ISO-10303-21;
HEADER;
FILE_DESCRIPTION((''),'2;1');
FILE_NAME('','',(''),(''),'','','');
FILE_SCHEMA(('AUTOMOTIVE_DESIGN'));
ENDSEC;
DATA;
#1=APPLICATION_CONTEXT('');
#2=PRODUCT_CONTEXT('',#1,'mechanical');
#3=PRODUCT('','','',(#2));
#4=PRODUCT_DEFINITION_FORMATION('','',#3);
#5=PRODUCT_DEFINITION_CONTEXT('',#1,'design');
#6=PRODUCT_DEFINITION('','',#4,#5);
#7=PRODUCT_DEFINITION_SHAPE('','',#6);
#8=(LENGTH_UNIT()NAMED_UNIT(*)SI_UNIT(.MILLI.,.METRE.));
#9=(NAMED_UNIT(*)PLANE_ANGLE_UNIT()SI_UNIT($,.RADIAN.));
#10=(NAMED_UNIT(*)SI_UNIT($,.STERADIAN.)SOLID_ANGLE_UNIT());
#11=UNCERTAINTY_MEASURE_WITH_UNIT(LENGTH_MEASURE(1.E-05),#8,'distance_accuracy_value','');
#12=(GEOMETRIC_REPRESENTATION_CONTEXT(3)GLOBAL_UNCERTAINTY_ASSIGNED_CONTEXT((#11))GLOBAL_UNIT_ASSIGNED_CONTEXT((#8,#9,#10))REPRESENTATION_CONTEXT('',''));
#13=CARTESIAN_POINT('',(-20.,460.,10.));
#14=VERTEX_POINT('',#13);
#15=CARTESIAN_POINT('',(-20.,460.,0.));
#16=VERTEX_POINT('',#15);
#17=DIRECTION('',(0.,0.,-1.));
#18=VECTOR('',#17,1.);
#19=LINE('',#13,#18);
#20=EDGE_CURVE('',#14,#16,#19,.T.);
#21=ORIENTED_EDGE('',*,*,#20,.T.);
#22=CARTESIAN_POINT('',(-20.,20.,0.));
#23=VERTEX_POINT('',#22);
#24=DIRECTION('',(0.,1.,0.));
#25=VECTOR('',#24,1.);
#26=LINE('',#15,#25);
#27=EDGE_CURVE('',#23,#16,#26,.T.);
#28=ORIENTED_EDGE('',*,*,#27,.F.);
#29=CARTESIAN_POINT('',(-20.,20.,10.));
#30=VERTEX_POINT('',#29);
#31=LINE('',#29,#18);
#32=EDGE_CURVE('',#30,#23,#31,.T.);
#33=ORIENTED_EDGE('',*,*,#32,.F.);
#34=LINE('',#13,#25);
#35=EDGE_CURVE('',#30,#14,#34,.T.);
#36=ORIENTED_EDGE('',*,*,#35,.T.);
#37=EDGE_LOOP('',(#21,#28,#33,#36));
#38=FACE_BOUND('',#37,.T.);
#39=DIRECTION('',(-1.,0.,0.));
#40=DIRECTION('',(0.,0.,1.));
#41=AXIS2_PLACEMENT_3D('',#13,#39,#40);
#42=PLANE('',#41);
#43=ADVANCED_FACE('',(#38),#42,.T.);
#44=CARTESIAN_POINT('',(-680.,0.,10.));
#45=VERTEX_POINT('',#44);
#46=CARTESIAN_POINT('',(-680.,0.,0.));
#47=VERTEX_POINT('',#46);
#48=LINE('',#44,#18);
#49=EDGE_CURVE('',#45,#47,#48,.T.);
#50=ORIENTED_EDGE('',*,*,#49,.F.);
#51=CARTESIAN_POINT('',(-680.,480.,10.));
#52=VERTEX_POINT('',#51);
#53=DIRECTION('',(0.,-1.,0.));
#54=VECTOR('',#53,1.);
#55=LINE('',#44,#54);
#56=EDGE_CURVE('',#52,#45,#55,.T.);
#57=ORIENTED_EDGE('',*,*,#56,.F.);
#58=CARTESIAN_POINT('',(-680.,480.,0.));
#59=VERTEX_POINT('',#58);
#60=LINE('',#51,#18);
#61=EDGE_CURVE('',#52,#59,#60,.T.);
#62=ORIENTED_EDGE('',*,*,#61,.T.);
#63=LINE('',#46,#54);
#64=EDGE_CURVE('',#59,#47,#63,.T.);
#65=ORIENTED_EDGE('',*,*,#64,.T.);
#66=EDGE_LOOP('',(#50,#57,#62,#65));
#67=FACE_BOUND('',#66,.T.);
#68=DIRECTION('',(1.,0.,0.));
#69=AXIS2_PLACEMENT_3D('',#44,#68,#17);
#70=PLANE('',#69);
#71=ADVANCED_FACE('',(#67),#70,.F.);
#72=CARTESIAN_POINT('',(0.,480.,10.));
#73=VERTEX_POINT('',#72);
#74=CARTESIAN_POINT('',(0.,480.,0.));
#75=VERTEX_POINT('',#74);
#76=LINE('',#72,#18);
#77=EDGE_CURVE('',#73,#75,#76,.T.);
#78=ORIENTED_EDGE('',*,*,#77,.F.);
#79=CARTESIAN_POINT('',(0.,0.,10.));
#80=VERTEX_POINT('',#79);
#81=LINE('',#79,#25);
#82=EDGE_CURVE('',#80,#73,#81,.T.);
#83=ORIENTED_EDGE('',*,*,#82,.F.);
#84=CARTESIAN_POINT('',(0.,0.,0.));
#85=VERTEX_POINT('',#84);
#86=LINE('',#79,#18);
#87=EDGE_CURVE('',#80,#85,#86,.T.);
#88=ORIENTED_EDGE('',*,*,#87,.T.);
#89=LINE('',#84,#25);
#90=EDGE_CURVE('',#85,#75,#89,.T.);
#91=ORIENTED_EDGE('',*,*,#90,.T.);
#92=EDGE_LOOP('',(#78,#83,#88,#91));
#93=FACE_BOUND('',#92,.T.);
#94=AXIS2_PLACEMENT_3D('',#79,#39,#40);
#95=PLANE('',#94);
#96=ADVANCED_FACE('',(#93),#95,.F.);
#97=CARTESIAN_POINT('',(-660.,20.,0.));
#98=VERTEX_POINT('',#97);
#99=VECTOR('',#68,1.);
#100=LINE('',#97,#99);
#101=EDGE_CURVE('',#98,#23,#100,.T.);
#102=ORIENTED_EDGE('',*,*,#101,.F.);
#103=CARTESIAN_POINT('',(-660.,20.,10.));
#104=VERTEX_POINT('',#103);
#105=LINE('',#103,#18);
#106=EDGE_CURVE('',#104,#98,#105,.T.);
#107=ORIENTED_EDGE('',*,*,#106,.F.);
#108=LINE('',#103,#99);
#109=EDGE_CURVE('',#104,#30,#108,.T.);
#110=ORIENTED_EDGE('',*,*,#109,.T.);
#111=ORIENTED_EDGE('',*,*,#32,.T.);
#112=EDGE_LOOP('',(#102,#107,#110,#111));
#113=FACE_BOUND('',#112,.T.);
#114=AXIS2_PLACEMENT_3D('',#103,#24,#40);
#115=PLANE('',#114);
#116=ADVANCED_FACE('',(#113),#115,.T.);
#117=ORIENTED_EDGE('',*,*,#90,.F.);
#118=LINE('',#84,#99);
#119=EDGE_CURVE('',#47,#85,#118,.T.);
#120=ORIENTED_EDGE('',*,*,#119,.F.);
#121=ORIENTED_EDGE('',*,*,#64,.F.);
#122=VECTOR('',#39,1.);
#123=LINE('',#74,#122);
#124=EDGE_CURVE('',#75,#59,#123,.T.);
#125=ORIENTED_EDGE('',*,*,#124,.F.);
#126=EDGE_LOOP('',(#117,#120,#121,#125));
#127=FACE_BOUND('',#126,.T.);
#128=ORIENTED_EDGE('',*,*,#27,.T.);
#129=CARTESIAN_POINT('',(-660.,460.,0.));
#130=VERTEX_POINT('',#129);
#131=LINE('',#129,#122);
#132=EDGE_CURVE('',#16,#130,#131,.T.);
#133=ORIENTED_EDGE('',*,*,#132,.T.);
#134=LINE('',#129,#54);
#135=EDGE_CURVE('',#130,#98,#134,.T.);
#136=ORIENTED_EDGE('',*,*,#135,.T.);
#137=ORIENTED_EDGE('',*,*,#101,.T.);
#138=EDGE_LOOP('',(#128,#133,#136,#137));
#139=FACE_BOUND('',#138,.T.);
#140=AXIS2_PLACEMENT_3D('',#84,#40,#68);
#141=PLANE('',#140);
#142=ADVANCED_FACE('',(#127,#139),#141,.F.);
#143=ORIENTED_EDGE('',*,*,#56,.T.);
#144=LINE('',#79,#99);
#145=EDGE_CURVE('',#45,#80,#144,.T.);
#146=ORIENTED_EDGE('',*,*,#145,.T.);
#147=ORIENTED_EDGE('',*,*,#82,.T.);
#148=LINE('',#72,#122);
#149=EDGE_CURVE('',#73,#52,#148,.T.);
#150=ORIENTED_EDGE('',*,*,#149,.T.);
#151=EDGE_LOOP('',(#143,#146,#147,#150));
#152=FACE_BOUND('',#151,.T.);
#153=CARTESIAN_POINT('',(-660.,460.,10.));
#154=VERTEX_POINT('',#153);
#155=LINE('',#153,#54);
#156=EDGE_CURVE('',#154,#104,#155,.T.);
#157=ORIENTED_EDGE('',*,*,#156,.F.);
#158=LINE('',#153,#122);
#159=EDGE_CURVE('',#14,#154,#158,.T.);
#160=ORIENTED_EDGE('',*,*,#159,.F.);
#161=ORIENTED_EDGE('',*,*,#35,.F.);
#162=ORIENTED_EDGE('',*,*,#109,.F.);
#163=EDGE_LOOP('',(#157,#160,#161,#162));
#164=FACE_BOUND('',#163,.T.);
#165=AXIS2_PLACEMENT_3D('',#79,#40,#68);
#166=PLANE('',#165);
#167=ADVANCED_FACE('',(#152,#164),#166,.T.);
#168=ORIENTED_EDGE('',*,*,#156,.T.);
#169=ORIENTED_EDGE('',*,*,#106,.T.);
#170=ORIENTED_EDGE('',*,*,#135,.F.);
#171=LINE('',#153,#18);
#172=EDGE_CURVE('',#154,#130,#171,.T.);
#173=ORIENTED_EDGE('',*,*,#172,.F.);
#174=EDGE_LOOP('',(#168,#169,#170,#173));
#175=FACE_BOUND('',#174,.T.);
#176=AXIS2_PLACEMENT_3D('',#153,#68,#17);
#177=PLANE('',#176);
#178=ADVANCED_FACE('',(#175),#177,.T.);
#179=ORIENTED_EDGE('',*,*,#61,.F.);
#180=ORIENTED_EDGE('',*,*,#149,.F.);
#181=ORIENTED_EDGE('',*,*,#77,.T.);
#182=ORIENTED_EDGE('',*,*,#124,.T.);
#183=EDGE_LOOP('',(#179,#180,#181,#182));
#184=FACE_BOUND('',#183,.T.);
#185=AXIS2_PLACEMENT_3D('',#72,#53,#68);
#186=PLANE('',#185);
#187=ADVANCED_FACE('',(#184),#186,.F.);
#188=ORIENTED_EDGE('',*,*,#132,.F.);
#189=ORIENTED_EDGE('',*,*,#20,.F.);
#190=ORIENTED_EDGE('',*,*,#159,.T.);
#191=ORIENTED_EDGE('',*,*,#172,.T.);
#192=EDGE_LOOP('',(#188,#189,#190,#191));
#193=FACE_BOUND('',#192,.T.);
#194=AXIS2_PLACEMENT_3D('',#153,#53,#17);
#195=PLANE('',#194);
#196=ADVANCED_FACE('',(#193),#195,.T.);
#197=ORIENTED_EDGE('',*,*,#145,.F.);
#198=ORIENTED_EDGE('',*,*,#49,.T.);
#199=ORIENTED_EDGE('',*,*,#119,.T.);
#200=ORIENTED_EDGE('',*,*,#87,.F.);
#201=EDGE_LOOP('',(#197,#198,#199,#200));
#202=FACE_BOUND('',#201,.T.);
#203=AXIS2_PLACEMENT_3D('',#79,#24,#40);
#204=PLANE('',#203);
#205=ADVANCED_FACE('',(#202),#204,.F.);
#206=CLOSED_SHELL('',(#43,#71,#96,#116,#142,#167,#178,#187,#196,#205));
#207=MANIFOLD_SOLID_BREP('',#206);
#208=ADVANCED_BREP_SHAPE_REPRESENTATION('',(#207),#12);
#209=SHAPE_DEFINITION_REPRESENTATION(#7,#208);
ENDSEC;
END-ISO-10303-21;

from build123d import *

# Parameters (mm, degrees)
ESQUISSE1_W        = 680
ESQUISSE1_H        = 480
ESQUISSE1_W_2      = 640
ESQUISSE1_H_2      = 440
BOSS_EXTRU_1_DEPTH = 10


with BuildPart() as part:
    # Esquisse1 → Boss.-Extru.1 (new body)
    with BuildSketch(Plane.XY):
        with Locations((-340, 240)):
            Rectangle(ESQUISSE1_W, ESQUISSE1_H)
        with Locations((-340, 240)):
            Rectangle(ESQUISSE1_W_2, ESQUISSE1_H_2, mode=Mode.SUBTRACT)
    extrude(amount=BOSS_EXTRU_1_DEPTH)


solid = part.part
